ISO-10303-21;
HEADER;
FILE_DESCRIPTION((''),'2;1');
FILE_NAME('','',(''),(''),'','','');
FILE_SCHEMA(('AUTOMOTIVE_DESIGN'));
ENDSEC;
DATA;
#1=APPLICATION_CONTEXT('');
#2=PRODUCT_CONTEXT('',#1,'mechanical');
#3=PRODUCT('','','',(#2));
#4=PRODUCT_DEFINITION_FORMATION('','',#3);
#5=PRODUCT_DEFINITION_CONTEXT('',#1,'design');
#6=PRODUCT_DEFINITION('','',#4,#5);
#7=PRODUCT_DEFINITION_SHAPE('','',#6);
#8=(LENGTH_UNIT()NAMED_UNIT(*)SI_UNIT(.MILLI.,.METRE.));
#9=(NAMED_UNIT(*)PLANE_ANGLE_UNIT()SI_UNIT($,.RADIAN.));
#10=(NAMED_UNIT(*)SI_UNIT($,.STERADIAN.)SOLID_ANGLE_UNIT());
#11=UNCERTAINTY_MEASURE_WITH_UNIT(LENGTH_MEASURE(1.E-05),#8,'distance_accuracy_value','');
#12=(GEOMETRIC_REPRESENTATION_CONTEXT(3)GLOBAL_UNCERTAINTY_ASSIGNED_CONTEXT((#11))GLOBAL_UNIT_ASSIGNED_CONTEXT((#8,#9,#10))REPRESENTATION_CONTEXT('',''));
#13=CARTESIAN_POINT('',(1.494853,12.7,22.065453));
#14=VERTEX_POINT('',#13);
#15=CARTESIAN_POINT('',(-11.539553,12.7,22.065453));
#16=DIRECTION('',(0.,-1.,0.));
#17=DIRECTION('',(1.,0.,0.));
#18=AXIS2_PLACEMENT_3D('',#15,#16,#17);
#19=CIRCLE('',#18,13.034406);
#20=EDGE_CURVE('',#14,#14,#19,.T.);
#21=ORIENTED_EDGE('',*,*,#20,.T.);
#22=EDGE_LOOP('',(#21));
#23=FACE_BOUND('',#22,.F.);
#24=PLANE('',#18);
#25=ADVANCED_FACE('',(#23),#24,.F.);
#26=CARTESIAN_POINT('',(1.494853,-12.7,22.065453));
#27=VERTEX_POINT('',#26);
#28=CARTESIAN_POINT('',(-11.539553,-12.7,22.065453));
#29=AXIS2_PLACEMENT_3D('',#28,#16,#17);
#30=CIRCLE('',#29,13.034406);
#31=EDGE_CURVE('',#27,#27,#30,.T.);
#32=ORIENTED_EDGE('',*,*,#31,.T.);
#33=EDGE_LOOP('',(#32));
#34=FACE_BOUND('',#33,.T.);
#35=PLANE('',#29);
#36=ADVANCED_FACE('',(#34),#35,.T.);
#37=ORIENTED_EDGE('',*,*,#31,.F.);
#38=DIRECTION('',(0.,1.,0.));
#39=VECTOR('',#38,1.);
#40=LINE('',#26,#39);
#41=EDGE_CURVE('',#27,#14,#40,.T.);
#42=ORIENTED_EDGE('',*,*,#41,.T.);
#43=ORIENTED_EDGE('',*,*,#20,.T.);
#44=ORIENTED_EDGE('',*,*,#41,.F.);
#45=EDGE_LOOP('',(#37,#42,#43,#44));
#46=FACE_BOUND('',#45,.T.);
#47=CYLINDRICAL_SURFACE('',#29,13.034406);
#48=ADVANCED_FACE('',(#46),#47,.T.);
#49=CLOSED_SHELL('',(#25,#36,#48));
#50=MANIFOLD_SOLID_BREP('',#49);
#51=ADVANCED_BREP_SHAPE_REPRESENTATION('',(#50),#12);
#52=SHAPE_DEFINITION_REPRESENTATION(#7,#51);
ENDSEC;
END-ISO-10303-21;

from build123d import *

# Parameters (mm, degrees)
F0_W     = 82.477182
F0_H     = 55.173277
F1_DEPTH = 12.7
F2_R     = 13.034406
F3_DEPTH = 25.4


with BuildPart() as f1:
    # F0 (on Front) → F1 (new body, symmetric)
    with BuildSketch(Plane.XZ):
        with Locations((-9.435952, 18.07011)):
            Rectangle(F0_W, F0_H)
    extrude(amount=F1_DEPTH, both=True)

    # F2 (on face) → F3 (intersect)
    with BuildSketch(Plane.XZ.offset(12.7)):
        with Locations((-11.539553, 22.065453)):
            Circle(F2_R)
    extrude(amount=-F3_DEPTH, mode=Mode.INTERSECT)


solid = f1.part
